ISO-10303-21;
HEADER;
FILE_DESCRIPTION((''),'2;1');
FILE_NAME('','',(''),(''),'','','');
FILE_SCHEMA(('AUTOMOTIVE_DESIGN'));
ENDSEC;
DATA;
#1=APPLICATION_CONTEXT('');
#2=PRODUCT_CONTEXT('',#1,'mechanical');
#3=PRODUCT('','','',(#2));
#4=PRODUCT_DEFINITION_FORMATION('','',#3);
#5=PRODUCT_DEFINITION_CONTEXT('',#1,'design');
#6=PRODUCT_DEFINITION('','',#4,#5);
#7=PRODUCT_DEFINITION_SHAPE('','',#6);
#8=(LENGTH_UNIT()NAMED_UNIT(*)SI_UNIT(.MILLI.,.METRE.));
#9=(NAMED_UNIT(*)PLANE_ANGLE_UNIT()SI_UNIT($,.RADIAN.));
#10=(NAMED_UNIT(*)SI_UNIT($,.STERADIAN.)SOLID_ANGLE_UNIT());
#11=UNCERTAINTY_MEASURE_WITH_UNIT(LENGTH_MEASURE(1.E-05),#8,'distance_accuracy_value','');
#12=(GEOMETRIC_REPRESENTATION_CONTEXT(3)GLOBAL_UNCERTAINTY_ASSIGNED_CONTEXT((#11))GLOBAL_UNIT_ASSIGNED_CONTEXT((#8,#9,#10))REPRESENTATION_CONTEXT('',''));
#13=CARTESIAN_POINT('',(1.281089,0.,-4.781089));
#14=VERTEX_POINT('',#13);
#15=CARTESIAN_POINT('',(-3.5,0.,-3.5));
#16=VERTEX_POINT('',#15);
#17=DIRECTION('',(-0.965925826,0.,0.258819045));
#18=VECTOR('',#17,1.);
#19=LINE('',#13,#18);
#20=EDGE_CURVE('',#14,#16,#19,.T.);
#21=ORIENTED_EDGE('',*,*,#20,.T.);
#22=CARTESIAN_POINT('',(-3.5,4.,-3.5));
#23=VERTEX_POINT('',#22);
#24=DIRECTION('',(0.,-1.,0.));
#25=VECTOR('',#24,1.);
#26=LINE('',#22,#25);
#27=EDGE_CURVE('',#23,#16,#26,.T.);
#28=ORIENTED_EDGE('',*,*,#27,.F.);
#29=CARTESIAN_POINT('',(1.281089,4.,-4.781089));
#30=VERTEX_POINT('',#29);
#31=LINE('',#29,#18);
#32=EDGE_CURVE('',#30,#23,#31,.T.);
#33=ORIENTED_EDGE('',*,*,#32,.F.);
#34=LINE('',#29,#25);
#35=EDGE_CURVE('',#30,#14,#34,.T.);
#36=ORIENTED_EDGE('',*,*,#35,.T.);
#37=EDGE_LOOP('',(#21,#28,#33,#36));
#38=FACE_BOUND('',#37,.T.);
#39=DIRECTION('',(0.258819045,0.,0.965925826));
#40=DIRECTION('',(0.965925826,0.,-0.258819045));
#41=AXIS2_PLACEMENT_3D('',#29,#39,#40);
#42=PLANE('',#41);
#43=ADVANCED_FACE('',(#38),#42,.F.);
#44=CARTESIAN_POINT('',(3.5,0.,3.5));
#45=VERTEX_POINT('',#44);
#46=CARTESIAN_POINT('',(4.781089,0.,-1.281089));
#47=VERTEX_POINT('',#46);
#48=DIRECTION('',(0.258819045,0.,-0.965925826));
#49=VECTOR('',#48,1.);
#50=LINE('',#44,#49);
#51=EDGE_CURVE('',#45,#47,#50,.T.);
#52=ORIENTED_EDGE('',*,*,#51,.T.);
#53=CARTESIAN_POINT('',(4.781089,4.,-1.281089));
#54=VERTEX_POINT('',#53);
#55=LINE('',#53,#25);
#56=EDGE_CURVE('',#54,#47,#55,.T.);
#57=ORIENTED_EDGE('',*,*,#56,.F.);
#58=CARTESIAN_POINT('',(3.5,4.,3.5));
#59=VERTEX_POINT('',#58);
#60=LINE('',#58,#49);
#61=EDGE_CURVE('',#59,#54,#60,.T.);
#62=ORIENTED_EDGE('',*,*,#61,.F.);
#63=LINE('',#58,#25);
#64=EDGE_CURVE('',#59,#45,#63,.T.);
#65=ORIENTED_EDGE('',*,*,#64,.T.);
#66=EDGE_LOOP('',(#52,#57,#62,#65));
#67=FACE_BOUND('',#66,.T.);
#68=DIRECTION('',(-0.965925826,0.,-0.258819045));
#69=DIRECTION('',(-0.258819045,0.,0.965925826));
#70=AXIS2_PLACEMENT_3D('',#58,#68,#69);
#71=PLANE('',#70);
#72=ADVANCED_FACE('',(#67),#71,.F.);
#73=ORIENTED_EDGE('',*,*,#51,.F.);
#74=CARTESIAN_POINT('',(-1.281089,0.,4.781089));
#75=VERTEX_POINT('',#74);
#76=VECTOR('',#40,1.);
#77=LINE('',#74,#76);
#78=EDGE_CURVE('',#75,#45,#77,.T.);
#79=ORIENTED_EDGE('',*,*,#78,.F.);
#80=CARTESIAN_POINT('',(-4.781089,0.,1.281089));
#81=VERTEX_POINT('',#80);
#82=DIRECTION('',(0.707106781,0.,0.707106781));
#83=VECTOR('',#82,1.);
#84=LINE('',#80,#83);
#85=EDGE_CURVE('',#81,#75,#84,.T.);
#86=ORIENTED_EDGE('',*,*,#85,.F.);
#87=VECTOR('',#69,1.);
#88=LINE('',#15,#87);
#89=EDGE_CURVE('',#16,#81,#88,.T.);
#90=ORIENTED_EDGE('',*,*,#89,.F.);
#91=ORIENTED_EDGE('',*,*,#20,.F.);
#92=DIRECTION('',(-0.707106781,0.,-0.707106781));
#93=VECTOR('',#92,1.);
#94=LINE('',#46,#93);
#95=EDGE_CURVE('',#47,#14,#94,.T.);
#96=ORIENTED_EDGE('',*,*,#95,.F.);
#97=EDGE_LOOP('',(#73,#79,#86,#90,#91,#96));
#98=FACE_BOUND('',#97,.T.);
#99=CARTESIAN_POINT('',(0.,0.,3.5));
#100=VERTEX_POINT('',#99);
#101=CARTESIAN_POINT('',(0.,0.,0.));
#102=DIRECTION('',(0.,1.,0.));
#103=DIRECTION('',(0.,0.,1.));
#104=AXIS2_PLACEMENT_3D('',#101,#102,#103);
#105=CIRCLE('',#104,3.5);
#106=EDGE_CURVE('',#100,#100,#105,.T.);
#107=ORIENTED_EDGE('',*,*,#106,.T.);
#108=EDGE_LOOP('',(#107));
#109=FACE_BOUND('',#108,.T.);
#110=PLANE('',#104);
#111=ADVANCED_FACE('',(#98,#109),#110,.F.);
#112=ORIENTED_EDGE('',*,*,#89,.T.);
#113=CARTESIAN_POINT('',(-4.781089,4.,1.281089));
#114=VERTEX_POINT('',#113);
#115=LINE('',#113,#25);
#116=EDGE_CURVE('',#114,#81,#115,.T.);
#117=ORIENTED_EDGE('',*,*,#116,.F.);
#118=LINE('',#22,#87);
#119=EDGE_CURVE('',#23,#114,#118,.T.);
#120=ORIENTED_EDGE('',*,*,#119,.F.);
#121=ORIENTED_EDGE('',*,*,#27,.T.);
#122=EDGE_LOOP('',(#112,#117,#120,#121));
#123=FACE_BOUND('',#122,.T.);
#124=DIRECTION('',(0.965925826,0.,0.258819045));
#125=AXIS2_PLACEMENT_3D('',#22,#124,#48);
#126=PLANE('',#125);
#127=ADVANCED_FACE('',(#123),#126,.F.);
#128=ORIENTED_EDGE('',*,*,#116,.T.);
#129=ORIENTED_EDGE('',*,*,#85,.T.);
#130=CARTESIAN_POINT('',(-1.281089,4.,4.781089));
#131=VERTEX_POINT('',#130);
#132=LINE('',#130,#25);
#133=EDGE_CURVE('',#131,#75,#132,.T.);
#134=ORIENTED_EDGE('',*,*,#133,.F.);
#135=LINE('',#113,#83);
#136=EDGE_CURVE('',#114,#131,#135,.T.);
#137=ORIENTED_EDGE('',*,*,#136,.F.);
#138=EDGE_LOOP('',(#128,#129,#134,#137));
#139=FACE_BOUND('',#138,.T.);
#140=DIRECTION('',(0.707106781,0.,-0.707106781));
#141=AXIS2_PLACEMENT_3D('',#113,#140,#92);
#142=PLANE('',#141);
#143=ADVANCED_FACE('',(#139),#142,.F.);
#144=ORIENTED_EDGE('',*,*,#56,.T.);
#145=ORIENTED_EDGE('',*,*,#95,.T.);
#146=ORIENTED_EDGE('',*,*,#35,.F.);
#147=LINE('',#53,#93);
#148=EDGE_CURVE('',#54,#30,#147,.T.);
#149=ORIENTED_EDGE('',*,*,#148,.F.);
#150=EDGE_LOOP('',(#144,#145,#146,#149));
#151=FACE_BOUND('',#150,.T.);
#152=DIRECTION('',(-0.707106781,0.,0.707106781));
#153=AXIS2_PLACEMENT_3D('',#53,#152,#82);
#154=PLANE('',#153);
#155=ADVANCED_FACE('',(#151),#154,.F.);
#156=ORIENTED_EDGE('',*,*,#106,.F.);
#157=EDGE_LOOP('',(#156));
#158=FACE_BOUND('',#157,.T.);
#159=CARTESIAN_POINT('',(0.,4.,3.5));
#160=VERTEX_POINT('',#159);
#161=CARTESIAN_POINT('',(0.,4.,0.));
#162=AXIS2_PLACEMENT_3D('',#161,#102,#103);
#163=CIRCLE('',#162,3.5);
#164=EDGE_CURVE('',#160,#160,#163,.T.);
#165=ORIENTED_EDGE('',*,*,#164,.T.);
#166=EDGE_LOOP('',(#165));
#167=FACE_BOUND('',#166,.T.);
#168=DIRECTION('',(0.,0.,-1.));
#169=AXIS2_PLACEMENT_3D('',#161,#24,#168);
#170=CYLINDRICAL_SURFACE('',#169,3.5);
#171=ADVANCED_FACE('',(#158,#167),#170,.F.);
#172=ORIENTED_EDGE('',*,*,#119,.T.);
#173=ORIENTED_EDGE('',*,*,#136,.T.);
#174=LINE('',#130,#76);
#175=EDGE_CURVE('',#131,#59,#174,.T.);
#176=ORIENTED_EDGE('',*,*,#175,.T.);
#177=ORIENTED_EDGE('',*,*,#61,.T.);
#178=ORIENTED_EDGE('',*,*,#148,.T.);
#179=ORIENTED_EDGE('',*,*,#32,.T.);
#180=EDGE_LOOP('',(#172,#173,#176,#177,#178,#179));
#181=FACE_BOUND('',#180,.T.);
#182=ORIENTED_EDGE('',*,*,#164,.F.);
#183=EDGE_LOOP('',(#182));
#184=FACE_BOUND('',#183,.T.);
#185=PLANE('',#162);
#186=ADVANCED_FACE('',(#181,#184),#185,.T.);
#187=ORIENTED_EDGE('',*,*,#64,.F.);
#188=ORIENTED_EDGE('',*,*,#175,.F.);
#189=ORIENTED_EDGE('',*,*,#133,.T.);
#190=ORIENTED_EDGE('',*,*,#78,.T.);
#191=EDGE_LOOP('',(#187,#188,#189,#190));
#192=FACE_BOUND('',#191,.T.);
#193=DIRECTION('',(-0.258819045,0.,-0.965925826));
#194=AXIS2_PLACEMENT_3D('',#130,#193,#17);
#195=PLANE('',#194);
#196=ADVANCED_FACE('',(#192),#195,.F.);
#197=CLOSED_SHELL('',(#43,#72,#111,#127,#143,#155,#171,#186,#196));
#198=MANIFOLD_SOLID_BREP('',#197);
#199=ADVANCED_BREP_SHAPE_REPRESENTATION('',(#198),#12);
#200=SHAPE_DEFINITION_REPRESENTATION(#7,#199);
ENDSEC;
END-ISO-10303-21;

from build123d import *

# Parameters (mm, degrees)
SKETCH1_R           = 3.5
BOSS_EXTRUDE1_DEPTH = 4


with BuildPart() as part:
    # Sketch1 → Boss-Extrude1 (new body)
    with BuildSketch(Plane(origin=(0, 0, 0), x_dir=(1, 0, 0), z_dir=(0, 1, 0))):
        Polygon((3.5, -3.5), (4.781088913, 1.281088913), (1.281088913, 4.781088913), (-3.5, 3.5), (-4.781088913, -1.281088913), (-1.281088913, -4.781088913), align=None)
        Circle(SKETCH1_R, mode=Mode.SUBTRACT)
    extrude(amount=BOSS_EXTRUDE1_DEPTH)


solid = part.part
